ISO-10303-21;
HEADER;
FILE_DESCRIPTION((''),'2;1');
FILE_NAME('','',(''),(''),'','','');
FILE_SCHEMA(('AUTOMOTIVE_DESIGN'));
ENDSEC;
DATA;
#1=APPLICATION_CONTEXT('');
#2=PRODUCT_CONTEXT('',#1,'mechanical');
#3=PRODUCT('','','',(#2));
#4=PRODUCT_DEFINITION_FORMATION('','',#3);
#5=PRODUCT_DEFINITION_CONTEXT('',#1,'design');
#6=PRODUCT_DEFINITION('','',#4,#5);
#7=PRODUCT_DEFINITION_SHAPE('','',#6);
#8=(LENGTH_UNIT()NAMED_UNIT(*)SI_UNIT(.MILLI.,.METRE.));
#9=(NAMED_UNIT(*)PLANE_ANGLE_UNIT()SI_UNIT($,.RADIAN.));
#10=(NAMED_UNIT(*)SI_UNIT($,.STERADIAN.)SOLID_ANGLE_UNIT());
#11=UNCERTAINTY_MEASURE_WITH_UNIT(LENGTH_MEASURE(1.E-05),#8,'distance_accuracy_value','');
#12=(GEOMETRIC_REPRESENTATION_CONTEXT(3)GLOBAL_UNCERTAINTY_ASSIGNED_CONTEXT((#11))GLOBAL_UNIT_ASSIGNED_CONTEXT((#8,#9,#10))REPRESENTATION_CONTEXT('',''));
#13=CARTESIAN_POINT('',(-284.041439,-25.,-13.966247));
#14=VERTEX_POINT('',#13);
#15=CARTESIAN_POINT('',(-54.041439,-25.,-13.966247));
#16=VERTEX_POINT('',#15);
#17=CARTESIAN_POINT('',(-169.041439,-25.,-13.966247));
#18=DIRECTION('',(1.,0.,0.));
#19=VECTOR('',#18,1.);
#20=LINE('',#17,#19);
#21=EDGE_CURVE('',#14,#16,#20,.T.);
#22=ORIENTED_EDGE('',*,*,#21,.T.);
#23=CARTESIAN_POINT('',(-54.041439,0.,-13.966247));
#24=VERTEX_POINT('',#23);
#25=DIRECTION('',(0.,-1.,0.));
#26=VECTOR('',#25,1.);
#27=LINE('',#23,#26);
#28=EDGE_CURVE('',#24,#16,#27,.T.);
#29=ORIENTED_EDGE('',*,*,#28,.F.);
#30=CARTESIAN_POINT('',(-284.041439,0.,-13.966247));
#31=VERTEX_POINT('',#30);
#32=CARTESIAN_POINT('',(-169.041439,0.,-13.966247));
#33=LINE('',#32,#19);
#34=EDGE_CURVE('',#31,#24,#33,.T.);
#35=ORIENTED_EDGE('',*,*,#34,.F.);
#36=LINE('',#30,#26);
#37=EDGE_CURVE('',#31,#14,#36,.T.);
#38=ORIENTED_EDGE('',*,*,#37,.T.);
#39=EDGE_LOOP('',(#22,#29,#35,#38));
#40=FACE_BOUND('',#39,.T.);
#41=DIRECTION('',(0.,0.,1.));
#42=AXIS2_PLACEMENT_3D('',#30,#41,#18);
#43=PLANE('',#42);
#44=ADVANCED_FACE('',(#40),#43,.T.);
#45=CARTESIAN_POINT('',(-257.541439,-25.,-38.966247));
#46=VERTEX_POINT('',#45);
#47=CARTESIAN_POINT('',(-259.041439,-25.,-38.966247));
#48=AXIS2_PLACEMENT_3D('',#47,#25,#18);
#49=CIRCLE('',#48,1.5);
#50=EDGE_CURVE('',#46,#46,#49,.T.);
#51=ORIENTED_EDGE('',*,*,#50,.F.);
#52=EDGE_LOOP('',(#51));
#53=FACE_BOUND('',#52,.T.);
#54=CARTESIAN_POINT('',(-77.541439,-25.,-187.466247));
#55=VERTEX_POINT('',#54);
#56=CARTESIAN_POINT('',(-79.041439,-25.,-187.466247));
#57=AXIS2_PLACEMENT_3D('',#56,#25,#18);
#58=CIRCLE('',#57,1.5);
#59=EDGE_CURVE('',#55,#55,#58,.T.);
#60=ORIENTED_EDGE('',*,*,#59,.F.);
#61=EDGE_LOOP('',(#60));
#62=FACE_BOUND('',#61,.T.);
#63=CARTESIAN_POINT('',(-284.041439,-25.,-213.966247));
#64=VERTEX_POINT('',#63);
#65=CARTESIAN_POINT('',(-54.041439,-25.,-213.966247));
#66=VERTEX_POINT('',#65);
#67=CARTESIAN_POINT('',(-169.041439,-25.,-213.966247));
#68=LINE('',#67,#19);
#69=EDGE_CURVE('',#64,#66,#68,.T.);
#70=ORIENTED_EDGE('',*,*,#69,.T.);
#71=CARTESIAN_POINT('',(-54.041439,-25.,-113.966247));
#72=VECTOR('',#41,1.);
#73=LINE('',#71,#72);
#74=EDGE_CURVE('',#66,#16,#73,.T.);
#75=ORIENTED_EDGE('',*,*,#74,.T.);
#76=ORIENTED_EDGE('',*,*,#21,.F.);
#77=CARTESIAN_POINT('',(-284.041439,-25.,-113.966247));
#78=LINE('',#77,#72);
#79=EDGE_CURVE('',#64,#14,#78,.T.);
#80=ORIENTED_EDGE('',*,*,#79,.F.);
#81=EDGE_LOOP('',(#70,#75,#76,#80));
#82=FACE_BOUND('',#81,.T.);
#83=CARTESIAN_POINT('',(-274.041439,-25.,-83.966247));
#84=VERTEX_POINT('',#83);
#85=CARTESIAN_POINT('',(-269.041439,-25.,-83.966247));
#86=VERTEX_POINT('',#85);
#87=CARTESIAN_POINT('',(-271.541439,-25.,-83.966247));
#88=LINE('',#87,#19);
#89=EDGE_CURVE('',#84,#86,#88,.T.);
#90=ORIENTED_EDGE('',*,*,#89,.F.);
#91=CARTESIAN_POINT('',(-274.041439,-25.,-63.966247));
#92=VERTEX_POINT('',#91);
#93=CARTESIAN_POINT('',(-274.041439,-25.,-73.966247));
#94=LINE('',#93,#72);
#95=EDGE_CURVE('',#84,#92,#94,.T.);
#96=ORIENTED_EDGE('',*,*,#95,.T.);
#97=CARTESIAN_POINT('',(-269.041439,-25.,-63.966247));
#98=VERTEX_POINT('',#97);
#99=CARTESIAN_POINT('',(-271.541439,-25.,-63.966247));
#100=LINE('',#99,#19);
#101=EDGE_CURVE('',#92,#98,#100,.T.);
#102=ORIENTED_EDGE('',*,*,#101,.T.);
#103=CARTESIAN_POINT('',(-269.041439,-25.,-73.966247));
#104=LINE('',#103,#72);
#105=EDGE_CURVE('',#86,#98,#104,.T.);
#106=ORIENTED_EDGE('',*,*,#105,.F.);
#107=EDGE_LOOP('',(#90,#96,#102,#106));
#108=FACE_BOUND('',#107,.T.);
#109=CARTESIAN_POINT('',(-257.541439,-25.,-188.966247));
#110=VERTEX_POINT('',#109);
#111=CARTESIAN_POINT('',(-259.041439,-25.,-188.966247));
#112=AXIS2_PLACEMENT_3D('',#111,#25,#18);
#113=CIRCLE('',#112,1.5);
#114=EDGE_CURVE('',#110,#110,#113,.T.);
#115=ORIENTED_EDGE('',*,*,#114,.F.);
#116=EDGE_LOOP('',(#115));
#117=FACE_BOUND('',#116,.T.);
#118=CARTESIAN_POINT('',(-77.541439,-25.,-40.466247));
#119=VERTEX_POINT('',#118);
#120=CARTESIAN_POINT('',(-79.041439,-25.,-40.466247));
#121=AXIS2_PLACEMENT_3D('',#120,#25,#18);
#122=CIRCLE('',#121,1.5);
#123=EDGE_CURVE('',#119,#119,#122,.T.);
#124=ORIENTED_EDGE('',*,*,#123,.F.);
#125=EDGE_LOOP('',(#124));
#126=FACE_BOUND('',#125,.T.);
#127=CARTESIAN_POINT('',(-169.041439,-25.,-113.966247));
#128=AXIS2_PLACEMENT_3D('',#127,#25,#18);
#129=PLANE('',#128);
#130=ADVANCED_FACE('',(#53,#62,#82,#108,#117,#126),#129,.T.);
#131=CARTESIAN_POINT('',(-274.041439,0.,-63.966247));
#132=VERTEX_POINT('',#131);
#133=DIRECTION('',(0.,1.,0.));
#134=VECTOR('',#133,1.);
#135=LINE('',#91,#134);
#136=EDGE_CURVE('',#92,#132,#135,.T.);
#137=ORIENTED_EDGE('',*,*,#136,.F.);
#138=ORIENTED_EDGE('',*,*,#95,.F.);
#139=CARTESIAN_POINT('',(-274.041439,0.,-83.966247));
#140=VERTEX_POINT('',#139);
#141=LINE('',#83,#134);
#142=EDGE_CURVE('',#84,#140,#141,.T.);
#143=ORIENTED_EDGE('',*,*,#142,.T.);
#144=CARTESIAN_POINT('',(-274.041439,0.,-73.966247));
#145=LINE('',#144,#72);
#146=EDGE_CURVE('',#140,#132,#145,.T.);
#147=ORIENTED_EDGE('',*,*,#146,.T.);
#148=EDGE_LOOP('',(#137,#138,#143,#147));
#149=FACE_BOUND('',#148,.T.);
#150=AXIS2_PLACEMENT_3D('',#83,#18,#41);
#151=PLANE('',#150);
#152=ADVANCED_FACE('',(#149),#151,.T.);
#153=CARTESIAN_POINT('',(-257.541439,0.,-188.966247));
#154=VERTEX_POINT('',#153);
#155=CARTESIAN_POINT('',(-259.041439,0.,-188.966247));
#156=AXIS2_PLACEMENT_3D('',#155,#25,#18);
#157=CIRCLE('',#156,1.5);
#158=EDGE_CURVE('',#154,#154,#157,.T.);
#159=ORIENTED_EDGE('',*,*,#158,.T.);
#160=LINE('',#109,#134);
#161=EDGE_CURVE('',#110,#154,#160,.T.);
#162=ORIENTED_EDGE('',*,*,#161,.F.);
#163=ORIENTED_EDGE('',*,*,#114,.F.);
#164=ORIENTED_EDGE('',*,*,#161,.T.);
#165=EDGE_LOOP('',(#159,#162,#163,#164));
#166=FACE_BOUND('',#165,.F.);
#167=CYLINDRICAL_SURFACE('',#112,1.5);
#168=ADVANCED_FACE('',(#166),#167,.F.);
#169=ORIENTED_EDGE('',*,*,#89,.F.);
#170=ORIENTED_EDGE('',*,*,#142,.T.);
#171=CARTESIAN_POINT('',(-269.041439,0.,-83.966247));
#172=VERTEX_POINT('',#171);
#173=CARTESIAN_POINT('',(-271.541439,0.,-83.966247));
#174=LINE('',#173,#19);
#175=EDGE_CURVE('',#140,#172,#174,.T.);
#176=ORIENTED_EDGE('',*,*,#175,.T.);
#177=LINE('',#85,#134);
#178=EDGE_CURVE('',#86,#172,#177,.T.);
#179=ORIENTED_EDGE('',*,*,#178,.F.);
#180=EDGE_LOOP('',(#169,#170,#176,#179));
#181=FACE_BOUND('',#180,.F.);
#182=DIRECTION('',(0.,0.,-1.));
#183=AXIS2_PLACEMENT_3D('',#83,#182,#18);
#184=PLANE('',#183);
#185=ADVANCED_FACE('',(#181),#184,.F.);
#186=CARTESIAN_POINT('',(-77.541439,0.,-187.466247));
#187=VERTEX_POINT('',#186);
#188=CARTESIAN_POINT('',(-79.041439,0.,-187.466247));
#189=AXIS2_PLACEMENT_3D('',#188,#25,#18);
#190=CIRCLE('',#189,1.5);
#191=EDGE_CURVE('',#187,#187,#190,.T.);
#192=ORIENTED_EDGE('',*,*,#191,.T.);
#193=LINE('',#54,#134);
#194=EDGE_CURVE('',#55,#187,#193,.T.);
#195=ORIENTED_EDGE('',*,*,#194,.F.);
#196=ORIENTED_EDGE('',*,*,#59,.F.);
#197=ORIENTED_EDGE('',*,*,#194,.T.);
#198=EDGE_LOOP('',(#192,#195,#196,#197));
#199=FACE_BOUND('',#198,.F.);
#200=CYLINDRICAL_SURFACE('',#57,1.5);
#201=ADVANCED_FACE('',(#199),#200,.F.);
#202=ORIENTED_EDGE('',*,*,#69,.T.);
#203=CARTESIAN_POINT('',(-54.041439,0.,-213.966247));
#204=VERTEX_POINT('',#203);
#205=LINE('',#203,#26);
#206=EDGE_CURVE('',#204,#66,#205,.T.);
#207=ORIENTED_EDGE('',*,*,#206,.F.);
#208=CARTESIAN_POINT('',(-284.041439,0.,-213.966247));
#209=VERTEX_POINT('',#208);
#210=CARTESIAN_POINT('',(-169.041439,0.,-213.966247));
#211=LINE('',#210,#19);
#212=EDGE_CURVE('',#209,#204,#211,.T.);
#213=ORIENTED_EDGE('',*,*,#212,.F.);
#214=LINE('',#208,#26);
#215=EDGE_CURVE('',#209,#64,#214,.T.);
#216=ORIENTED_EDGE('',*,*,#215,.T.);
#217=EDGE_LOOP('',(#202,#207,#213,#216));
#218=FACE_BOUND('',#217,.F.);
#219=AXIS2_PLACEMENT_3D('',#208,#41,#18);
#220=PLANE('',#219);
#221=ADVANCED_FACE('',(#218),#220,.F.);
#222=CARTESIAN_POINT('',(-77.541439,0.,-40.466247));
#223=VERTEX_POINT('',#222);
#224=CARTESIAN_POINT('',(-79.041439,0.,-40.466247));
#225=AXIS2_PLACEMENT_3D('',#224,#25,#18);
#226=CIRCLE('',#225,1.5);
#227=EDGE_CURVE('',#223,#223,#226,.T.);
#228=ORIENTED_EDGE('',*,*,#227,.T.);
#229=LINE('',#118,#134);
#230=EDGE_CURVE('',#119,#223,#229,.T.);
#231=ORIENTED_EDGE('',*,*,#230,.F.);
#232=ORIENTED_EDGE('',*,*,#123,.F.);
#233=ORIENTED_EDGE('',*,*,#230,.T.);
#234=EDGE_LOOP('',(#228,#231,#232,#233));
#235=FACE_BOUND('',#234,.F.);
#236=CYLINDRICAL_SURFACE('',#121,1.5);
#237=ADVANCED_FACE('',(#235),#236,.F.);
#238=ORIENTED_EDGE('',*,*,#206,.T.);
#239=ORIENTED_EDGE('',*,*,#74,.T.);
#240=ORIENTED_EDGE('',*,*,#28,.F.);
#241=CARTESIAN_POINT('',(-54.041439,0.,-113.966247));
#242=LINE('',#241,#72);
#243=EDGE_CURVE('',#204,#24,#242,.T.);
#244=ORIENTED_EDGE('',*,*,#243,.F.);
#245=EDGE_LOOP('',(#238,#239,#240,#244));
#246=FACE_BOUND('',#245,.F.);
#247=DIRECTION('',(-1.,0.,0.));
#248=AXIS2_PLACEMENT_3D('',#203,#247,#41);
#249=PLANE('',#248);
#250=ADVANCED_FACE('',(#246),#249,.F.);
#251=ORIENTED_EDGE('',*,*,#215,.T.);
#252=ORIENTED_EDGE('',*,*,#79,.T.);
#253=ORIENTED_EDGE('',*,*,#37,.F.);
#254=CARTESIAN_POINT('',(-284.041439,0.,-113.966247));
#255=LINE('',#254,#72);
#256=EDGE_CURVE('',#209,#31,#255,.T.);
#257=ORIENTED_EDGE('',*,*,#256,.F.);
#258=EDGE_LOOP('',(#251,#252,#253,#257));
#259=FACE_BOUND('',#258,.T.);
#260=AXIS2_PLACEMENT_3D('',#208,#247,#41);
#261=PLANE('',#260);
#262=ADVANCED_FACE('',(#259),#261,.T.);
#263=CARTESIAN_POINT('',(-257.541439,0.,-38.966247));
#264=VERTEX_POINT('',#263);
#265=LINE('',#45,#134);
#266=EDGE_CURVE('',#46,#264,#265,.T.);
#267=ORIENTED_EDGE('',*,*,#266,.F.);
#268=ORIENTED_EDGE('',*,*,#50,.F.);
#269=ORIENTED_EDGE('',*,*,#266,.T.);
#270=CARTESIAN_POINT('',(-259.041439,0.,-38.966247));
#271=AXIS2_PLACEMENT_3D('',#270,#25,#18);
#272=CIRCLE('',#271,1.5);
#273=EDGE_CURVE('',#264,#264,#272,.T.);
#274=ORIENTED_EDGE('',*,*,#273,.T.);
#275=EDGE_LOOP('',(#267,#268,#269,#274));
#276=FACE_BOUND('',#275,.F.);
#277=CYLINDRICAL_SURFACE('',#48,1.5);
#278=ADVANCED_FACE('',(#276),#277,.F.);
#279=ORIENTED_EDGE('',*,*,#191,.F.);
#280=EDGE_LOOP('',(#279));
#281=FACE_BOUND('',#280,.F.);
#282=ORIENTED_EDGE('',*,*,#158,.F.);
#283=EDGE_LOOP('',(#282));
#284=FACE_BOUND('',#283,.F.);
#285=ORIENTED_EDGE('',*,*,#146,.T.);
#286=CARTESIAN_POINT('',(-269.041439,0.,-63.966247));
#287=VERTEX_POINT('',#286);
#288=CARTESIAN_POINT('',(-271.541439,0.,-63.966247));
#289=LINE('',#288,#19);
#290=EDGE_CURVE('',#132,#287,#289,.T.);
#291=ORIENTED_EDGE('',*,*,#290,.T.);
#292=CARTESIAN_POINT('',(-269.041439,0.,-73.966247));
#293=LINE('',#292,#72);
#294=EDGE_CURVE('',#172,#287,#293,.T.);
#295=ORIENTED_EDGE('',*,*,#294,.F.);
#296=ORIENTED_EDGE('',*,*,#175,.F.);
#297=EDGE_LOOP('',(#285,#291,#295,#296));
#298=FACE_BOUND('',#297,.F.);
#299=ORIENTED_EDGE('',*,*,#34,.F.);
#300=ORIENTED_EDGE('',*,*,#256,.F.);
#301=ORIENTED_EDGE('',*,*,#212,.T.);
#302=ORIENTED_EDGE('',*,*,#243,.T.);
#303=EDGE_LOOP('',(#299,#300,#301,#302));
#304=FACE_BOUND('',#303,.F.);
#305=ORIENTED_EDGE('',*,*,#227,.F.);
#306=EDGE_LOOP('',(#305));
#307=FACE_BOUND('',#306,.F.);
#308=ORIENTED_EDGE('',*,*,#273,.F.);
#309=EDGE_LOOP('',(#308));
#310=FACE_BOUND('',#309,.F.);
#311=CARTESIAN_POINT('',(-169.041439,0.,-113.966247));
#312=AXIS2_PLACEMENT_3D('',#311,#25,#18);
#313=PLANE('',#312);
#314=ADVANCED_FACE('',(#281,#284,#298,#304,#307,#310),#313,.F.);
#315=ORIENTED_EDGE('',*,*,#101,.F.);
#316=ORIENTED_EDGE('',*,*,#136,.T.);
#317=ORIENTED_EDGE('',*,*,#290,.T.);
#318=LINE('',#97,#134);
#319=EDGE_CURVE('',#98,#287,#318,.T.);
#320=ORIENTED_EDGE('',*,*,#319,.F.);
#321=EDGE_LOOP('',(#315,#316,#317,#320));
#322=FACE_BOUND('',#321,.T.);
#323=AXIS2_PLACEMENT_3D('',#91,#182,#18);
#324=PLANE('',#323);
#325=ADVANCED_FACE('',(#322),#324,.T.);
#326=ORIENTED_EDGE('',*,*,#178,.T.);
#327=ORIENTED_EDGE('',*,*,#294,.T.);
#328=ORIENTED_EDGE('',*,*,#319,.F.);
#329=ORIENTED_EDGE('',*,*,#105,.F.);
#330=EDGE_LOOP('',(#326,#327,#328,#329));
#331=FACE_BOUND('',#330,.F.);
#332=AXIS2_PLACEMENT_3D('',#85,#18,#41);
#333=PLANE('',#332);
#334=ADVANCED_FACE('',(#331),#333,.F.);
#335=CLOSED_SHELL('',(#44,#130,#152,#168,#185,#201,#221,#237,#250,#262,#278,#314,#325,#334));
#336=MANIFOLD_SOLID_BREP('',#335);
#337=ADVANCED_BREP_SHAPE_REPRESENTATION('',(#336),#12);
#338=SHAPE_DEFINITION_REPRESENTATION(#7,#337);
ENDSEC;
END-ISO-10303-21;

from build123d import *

# Parameters (mm, degrees)
F0_W     = 230
F0_H     = 200
F1_DEPTH = 25
F2_W     = 5
F2_H     = 20
F2_R     = 1.5
F3_DEPTH = 25
F4_DEPTH = 25


with BuildPart() as f1:
    # F0 (on Front) → F1 (new body)
    with BuildSketch(Plane.XZ):
        with Locations((-169.041439, -113.966247)):
            Rectangle(F0_W, F0_H)
    extrude(amount=F1_DEPTH)

    # F2 (on face) → F3 (cut)
    with BuildSketch(Plane.XZ.offset(25)):
        with Locations((-271.541439, -73.966247)):
            Rectangle(F2_W, F2_H)
        with Locations((-79.041439, -40.466247)):
            Circle(F2_R)
        with Locations((-79.041439, -187.466247)):
            Circle(F2_R)
        with Locations((-259.041439, -38.966247)):
            Circle(F2_R)
        with Locations((-259.041439, -188.966247)):
            Circle(F2_R)
    extrude(amount=-F3_DEPTH, mode=Mode.SUBTRACT)

    # F2 (on face) → F4 (cut)
    with BuildSketch(Plane.XZ.offset(25)):
        with Locations((-271.541439, -73.966247)):
            Rectangle(F2_W, F2_H)
        with Locations((-79.041439, -40.466247)):
            Circle(F2_R)
        with Locations((-79.041439, -187.466247)):
            Circle(F2_R)
        with Locations((-259.041439, -38.966247)):
            Circle(F2_R)
        with Locations((-259.041439, -188.966247)):
            Circle(F2_R)
    extrude(amount=-F4_DEPTH, mode=Mode.SUBTRACT)


solid = f1.part
